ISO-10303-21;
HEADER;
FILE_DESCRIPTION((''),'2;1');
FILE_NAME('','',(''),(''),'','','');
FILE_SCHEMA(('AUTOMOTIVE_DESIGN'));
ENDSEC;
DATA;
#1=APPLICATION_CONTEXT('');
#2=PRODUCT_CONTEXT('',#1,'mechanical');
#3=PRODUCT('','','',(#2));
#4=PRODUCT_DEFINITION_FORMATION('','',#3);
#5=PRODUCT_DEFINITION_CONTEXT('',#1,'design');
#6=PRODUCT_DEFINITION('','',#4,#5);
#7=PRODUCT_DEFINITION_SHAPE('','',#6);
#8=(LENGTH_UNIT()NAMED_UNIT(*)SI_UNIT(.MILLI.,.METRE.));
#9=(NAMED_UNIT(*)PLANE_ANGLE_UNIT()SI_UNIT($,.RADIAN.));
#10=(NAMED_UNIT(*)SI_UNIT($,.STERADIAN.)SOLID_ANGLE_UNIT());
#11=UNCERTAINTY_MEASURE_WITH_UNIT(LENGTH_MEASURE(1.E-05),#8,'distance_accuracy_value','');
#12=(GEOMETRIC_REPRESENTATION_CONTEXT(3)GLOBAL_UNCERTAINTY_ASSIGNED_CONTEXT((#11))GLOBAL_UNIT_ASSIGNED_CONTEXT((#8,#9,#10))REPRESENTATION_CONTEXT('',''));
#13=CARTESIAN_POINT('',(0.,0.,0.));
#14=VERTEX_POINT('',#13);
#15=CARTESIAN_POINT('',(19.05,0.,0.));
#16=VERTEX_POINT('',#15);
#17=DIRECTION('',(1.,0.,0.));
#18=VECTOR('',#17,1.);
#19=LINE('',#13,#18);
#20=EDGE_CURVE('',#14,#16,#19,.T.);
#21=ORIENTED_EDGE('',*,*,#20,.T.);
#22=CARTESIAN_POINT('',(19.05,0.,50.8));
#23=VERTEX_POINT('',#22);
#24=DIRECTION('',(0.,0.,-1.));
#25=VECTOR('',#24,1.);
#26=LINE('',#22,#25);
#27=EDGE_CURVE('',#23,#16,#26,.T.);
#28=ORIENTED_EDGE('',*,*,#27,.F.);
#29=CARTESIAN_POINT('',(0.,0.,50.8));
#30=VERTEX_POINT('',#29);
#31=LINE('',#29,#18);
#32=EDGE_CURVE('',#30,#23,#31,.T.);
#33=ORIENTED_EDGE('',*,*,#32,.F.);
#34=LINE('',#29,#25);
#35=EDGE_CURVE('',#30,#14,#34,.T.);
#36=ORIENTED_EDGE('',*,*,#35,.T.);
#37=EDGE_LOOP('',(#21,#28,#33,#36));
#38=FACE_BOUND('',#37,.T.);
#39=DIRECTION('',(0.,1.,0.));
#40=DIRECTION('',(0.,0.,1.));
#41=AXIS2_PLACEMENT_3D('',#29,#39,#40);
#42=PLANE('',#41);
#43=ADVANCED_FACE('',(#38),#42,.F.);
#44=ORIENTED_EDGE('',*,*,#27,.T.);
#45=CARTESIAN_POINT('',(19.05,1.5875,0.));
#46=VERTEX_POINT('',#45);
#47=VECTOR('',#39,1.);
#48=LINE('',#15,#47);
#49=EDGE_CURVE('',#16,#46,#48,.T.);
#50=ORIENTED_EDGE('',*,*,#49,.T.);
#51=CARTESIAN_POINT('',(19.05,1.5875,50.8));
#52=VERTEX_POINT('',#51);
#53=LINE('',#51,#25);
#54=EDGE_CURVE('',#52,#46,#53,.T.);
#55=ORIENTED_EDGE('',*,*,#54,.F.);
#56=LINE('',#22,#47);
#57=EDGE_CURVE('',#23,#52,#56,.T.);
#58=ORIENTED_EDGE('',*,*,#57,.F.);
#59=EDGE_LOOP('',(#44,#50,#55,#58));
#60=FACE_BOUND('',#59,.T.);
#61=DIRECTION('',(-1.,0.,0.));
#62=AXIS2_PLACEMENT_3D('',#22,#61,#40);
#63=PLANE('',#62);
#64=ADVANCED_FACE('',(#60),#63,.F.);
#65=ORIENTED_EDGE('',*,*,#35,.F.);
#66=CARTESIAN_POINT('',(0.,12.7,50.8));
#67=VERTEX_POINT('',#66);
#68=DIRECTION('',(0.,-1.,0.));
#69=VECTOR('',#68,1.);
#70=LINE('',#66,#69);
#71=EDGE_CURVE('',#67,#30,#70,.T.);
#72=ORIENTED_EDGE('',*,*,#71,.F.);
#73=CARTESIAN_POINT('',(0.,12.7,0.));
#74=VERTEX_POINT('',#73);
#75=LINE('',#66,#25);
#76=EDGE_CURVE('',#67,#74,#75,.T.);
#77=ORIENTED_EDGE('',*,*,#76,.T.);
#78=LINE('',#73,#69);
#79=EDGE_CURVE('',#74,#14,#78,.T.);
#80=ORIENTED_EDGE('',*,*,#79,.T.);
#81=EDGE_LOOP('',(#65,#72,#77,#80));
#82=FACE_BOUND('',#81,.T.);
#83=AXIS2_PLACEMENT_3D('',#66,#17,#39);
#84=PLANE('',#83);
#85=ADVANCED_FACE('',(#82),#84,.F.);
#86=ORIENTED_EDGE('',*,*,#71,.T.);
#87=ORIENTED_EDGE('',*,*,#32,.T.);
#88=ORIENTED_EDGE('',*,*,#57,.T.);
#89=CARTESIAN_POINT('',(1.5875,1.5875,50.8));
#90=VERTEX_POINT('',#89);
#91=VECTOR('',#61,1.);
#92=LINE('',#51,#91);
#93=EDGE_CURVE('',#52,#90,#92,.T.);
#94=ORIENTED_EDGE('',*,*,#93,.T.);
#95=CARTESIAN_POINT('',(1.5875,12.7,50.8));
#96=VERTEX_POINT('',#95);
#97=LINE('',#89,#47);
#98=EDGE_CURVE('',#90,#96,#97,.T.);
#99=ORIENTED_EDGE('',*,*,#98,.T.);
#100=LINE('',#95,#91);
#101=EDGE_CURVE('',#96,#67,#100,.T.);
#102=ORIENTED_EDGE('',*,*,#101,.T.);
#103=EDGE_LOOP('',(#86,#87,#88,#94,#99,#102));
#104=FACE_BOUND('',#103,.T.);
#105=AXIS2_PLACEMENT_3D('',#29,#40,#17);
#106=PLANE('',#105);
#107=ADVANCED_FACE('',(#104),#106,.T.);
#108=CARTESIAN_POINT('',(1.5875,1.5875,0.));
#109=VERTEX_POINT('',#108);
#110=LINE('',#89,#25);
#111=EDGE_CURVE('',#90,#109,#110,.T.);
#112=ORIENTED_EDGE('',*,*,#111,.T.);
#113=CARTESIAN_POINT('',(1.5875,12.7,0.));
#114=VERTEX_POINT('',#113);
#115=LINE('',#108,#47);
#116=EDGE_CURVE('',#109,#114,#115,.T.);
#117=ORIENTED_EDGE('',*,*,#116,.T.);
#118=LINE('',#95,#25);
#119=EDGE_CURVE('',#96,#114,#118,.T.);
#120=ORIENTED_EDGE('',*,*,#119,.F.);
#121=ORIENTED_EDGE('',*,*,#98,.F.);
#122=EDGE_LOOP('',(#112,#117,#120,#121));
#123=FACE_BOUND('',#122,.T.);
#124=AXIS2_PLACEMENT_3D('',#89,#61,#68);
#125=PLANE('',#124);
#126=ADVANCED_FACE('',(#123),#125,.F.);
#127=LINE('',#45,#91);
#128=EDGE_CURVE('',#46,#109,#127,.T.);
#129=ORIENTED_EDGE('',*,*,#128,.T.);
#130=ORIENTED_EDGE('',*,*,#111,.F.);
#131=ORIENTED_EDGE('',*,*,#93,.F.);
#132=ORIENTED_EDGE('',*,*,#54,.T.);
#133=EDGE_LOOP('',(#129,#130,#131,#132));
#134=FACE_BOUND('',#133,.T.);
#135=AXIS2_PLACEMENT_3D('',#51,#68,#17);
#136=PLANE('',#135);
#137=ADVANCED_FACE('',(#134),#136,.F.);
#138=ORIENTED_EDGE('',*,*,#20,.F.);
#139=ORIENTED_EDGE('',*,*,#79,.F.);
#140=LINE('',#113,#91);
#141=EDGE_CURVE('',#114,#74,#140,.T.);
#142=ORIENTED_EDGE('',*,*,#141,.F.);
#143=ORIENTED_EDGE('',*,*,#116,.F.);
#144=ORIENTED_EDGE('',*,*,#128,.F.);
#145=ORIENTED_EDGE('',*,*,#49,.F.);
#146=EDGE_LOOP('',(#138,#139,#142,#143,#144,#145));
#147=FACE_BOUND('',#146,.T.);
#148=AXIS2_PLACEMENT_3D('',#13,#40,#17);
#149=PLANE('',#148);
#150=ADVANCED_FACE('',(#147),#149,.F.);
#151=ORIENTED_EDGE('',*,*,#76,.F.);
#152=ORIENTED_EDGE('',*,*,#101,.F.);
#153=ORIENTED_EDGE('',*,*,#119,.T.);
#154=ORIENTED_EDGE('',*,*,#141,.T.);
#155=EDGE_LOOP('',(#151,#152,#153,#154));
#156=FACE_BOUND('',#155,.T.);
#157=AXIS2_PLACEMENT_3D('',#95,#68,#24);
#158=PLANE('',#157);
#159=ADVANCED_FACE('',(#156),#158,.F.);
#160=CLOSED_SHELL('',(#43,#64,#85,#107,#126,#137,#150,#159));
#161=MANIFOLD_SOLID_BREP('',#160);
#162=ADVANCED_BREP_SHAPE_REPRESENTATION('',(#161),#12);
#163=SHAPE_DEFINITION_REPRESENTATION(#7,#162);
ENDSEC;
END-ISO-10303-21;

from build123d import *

# Parameters (mm, degrees)
BOSS_EXTRUDE1_DEPTH = 50.8


with BuildPart() as part:
    # Sketch3 → Boss-Extrude1 (new body)
    with BuildSketch(Plane.XY):
        Polygon((0, 0), (19.05, 0), (19.05, 1.5875), (1.5875, 1.5875), (1.5875, 12.7), (0, 12.7), align=None)
    extrude(amount=BOSS_EXTRUDE1_DEPTH)


solid = part.part
